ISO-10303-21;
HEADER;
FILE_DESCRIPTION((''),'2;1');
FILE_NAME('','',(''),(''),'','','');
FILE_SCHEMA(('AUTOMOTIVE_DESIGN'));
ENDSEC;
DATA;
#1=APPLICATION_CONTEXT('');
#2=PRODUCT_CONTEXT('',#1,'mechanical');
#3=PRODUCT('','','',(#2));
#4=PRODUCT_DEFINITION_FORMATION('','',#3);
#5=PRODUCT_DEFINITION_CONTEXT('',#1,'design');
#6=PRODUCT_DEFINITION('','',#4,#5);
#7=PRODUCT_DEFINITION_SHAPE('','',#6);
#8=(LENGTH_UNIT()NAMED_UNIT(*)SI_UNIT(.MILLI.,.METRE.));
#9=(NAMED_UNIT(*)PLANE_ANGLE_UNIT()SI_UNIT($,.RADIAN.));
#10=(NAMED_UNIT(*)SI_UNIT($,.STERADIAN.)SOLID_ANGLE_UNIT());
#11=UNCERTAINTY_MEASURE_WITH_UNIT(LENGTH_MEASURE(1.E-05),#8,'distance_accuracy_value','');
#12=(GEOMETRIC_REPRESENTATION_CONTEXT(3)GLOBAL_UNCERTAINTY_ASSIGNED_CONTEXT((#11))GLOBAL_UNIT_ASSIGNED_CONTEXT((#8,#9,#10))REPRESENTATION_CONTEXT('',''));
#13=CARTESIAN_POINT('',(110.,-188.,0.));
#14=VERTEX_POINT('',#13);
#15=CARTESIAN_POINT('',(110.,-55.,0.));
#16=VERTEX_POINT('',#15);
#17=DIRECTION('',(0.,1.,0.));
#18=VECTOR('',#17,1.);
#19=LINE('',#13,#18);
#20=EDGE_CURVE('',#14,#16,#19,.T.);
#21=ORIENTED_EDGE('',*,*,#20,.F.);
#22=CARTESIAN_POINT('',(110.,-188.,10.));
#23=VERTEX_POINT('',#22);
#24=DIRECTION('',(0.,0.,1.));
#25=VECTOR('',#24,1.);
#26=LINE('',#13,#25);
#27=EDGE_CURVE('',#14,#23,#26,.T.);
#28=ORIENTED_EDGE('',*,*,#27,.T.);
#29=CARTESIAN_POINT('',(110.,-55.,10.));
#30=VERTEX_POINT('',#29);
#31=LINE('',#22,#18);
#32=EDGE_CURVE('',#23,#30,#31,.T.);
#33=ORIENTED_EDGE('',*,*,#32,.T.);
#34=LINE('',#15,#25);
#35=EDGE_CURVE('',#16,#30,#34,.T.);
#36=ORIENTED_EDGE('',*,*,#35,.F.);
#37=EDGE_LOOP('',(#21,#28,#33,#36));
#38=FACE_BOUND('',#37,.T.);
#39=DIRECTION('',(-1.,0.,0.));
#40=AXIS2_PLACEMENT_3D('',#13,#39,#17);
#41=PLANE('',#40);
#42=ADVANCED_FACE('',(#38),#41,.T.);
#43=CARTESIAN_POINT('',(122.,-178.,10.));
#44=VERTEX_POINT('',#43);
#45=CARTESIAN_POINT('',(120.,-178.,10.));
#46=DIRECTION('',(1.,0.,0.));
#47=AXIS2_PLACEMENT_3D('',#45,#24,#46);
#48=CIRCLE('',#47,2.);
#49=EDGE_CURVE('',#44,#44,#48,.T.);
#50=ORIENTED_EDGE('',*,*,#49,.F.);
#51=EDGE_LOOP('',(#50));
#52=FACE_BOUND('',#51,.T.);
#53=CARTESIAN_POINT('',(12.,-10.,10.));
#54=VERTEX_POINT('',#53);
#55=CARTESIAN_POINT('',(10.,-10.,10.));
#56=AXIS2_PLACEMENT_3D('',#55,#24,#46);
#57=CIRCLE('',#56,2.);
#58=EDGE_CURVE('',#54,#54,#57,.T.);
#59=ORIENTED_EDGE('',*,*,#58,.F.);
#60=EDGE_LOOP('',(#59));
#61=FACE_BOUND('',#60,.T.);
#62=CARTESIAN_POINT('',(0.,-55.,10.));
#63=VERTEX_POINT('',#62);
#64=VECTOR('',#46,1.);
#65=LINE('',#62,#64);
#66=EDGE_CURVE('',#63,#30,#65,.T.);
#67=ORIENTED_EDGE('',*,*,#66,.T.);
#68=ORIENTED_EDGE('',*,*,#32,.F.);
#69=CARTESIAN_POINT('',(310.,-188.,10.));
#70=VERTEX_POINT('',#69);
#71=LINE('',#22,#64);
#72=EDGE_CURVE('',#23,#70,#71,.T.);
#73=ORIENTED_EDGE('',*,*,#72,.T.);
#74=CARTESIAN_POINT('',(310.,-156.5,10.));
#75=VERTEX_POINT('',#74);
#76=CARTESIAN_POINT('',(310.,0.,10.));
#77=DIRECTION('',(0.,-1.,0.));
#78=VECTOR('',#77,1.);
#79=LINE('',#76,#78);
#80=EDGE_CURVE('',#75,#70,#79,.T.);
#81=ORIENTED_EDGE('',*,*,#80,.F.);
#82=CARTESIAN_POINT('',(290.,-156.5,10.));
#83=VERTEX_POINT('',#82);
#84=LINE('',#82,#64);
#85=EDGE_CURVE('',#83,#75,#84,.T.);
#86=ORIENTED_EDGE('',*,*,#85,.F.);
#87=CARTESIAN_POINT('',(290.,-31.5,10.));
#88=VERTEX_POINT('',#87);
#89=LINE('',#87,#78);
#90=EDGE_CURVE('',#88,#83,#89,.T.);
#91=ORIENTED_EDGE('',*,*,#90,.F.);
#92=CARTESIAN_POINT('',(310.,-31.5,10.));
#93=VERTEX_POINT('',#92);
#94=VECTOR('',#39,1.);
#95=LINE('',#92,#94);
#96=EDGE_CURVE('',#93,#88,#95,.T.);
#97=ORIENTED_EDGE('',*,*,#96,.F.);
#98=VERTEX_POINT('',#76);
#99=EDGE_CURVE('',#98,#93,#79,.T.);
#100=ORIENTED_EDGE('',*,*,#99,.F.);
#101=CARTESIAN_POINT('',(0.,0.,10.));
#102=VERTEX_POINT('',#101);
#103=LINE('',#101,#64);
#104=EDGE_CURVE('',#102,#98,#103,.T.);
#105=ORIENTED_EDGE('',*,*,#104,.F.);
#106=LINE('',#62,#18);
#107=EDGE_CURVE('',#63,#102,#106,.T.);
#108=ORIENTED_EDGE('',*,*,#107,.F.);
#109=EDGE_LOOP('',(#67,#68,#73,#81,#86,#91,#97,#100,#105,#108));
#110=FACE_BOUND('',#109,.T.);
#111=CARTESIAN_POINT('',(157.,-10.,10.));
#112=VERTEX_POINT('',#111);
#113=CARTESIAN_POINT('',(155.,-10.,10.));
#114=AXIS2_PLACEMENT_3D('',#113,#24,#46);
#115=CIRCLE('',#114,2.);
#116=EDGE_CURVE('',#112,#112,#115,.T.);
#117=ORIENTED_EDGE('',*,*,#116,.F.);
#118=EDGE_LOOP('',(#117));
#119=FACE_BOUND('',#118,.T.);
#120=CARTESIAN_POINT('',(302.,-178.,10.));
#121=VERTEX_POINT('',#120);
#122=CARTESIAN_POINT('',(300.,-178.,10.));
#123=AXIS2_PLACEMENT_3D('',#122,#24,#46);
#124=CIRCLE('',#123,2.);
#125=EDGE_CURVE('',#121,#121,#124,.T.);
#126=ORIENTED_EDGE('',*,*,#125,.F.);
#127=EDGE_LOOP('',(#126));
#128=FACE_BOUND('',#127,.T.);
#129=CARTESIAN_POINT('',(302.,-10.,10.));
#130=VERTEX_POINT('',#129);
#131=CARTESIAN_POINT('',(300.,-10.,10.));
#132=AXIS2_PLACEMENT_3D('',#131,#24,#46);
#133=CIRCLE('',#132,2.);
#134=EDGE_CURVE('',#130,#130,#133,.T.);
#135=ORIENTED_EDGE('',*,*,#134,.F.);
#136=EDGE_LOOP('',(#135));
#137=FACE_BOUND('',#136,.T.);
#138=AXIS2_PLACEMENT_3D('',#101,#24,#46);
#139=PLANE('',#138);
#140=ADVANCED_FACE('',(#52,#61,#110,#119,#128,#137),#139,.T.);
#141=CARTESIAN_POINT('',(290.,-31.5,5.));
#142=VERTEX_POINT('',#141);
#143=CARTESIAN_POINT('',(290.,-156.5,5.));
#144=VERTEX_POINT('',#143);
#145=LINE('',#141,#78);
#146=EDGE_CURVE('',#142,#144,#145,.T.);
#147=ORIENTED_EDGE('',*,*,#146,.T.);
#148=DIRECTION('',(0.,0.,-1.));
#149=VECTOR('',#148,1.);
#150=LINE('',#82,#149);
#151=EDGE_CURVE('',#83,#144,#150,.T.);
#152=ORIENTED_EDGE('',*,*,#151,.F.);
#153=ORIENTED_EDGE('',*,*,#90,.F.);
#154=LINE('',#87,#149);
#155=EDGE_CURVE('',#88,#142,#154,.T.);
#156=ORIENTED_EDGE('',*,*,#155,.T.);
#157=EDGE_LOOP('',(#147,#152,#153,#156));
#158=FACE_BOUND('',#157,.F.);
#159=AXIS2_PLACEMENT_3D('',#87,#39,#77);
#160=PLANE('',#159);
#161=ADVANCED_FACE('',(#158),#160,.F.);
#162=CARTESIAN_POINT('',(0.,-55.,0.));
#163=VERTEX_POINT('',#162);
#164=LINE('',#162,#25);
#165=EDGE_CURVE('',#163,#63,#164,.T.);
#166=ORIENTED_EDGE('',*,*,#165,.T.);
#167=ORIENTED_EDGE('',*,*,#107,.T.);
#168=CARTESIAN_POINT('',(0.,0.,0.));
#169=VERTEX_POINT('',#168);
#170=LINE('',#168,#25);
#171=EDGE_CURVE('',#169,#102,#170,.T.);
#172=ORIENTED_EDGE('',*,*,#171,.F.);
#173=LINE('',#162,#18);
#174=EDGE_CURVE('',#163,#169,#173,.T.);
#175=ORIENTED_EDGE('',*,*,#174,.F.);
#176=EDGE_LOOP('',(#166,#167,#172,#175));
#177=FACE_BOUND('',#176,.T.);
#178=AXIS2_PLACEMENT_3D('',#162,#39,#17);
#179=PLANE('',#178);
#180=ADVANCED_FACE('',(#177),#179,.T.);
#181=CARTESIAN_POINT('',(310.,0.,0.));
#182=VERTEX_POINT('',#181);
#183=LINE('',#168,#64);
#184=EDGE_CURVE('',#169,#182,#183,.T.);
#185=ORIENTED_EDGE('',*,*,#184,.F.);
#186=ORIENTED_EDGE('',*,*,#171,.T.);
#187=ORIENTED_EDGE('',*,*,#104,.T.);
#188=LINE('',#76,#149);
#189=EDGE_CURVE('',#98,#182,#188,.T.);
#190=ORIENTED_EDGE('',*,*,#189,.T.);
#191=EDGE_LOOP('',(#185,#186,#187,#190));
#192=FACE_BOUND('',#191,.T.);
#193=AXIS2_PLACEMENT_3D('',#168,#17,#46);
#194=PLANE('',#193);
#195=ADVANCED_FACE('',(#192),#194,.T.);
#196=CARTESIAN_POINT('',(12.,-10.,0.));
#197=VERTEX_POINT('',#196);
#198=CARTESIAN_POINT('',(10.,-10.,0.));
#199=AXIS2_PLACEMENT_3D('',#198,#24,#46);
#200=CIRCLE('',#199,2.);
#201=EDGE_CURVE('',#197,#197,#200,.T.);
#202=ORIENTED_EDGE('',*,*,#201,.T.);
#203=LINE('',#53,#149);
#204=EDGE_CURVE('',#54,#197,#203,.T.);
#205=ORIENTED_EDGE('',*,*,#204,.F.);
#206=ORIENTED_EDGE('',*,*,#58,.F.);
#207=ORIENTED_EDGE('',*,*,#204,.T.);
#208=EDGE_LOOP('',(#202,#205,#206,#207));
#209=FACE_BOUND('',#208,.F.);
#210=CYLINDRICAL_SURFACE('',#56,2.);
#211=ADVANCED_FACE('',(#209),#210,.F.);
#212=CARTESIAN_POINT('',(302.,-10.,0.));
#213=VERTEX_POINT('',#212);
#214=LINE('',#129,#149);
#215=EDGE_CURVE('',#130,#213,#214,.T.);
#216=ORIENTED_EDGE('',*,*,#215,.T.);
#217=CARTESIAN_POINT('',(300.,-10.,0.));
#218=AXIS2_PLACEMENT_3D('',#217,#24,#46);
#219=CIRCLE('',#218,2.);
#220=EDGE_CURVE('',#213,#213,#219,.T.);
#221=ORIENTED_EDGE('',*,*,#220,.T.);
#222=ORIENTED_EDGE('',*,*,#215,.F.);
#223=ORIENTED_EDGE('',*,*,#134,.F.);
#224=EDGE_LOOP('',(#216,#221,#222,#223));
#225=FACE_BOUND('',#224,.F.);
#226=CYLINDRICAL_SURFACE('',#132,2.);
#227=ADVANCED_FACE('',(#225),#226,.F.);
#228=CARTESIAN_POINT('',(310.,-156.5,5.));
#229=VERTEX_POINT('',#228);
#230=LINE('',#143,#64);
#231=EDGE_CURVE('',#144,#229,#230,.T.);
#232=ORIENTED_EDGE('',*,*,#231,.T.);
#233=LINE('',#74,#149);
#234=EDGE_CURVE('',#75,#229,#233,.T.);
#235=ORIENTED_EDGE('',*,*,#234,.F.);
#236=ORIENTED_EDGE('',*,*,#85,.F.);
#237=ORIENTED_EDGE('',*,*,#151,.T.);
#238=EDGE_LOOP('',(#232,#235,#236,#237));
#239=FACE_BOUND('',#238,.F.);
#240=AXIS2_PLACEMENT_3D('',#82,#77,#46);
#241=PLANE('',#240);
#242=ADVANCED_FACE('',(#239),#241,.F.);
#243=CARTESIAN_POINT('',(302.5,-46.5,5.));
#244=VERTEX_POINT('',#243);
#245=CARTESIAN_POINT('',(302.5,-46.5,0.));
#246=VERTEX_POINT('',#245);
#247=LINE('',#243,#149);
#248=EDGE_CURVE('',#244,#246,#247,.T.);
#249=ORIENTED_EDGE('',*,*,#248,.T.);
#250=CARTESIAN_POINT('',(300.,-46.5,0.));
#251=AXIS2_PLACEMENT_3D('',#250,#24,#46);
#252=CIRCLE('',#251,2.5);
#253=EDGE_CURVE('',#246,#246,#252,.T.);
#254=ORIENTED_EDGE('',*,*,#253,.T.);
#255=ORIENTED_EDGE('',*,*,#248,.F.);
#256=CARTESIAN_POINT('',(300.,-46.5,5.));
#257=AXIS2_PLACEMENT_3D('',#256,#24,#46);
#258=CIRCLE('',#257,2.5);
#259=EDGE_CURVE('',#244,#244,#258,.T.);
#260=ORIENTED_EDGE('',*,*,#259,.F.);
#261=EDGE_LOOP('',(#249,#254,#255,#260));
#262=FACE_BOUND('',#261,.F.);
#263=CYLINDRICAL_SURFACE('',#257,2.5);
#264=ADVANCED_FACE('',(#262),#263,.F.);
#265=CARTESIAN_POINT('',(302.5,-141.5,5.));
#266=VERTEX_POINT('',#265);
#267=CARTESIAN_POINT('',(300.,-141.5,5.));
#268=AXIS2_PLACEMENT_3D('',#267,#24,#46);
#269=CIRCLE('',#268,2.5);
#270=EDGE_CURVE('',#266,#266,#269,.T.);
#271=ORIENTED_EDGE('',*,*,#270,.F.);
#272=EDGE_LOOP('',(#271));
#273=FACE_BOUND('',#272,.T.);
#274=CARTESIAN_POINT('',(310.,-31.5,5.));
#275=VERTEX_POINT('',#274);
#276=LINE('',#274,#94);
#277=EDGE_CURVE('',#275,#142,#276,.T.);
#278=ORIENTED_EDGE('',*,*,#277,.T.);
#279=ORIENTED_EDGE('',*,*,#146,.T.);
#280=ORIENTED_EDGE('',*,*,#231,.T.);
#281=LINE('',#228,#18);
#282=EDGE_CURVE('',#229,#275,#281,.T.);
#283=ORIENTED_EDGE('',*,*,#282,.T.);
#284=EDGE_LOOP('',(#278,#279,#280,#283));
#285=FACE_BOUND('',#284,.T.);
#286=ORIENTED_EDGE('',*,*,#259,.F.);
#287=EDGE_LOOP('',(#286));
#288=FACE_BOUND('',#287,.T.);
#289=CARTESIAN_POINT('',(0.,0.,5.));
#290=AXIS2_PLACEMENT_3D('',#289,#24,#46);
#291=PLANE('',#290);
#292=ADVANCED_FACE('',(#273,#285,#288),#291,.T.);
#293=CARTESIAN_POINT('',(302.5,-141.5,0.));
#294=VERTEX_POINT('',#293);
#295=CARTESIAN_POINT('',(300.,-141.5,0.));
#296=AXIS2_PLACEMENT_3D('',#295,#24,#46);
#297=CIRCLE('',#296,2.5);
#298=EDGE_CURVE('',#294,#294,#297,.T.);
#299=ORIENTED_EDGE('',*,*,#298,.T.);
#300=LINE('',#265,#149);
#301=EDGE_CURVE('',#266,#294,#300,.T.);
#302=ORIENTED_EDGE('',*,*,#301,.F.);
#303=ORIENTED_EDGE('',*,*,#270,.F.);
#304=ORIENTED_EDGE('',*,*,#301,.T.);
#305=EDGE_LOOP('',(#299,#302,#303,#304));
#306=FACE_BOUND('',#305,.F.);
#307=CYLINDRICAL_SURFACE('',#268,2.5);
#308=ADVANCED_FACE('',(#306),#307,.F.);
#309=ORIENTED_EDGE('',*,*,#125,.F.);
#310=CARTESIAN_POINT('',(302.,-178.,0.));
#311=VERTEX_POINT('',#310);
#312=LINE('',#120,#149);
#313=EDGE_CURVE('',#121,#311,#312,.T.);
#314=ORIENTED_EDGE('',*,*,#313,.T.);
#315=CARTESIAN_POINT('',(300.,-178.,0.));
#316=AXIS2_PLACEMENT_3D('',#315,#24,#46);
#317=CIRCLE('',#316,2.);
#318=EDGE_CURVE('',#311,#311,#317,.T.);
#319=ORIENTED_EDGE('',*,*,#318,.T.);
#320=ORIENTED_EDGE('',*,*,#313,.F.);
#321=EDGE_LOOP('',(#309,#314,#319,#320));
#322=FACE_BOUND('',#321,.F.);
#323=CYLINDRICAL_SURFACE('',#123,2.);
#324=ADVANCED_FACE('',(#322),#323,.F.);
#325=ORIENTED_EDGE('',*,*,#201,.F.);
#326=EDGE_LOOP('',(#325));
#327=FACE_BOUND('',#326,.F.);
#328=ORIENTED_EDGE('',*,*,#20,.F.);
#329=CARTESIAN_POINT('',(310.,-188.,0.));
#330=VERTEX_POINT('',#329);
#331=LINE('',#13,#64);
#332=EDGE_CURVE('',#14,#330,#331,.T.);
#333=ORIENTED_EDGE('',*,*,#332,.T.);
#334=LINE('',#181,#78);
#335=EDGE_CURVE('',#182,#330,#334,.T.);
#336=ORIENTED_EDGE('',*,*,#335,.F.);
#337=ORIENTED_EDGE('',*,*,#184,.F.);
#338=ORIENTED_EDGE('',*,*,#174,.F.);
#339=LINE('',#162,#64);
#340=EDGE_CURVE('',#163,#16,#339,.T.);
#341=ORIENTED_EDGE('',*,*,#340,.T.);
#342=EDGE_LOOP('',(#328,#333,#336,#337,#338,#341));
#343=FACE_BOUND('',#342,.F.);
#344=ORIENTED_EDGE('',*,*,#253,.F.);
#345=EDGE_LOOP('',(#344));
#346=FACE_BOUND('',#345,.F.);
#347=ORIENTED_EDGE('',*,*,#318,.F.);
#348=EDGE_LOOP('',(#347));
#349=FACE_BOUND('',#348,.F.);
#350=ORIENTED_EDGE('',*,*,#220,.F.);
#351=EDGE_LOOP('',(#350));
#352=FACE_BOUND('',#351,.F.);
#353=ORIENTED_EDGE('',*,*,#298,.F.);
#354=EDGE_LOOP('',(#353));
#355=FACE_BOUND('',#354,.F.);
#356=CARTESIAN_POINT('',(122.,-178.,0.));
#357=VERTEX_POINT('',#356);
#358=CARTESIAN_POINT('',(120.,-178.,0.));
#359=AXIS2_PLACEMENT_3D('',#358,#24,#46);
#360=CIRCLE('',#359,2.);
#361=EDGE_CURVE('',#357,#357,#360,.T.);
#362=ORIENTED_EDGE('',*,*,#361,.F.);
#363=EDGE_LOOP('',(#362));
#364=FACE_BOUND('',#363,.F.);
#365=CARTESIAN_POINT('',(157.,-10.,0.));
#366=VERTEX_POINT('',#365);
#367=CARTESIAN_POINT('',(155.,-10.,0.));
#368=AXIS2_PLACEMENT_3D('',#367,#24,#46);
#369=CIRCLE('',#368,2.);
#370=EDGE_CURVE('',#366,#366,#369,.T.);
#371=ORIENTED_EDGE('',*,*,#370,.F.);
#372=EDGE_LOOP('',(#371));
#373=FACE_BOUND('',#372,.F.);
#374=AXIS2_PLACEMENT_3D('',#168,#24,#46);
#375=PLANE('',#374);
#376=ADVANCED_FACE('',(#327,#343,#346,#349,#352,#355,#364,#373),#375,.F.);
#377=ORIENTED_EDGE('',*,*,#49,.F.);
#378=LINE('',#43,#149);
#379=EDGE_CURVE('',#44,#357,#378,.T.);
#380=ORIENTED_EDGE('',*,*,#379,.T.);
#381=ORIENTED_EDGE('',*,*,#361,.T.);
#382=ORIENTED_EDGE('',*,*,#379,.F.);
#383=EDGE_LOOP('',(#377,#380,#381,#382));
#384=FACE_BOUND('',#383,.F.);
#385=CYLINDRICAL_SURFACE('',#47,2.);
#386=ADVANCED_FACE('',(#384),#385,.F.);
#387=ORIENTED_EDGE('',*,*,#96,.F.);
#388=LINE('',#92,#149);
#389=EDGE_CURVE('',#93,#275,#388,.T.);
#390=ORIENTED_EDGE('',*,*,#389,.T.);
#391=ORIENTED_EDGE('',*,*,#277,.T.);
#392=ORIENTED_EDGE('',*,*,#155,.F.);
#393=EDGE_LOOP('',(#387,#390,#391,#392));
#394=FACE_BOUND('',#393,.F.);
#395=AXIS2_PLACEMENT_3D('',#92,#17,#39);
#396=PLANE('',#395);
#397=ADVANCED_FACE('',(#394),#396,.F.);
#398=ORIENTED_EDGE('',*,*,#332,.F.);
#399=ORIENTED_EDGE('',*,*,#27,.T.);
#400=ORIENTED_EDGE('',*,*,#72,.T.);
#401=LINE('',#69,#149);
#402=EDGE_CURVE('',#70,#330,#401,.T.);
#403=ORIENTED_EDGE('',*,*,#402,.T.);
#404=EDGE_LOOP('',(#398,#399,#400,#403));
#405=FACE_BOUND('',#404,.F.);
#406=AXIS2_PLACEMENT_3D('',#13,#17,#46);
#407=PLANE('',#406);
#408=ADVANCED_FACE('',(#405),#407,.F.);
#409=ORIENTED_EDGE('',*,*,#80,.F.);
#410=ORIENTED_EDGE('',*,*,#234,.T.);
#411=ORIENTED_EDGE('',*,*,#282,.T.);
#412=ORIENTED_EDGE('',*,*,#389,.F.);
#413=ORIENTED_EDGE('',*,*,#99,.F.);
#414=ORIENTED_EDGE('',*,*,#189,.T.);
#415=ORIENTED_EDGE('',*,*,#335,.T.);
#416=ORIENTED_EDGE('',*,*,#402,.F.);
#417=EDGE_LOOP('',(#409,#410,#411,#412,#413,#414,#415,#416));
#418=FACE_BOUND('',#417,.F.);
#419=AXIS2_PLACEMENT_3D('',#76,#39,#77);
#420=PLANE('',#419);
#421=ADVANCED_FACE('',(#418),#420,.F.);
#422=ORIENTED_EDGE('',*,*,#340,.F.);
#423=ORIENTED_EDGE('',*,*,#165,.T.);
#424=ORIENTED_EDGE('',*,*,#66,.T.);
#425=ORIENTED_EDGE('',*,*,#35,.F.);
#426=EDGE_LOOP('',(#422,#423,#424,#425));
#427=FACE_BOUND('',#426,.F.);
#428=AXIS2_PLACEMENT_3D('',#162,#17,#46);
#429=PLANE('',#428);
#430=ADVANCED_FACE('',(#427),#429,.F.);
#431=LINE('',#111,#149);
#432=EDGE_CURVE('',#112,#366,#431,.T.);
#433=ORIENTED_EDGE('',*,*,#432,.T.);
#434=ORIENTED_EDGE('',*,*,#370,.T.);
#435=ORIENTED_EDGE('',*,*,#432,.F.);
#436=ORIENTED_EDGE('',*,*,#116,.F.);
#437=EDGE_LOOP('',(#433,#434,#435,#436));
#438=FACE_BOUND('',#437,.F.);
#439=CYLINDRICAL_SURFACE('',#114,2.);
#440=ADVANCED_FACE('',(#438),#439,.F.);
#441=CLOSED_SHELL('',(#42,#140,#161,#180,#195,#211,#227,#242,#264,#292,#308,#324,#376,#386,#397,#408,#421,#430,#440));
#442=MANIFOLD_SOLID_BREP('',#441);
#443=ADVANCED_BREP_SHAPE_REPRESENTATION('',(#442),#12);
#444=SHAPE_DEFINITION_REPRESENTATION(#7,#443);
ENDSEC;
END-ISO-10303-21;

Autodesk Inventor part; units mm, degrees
ref_plane "YZ Plane" through (0, 0, 0) normal (1, 0, 0) x (0, 1, 0)
ref_plane "XZ Plane" through (0, 0, 0) normal (0, 1, 0) x (-1, 0, 0)
ref_plane "XY Plane" through (0, 0, 0) normal (0, 0, 1) x (1, 0, 0)
sketch "Sketch1" plane through (0, 0, 0) normal (0, 0, 1) x (1, 0, 0)
  line L0 (0, 0) -> (620, 0)
  line L1 (110, -188) -> (510, -188)
  line L2 (510, -188) -> (510, -55)
  line L3 (510, -55) -> (620, -55)
  line L4 (620, -55) -> (620, 0)
  line L5 (110, -188) -> (110, -55)
  line L6 (0, -55) -> (0, 0)
  line L7 (0, -55) -> (110, -55)
  point P0 (310, -188)
  point P1 (310, 0)
  dimension "d0" = 620
  dimension "d1" = 188
  dimension "d2" = 400
  dimension "d3" = 133
extrude "Extrusion1" add sketch "Sketch1" along normal blind 10
sketch "Sketch2" plane through (0, 0, 10) normal (0, 0, 1) x (1, 0, 0)
  line L0 (620, 0) -> (0, 0) projected
  line L1 (510, -188) -> (110, -188) projected
  line L2 (620, 0) -> (310, 0)
  line L3 (310, 0) -> (310, -188)
  line L4 (310, -188) -> (620, -188)
  line L5 (620, -188) -> (620, 0)
extrude "Extrusion2" cut sketch "Sketch2" against normal through all
sketch "Sketch3" plane through (0, 0, 10) normal (0, 0, 1) x (1, 0, 0)
  circle A0 centre (10, -10) radius 2
  line L0 (310, 0) -> (0, 0) projected
  line L1 (0, 0) -> (0, -55) projected
  circle A1 centre (155, -10) radius 2
  circle A2 centre (300, -10) radius 2
  line L2 (310, -188) -> (310, 0) projected
  line L3 (10, -10) -> (300, -10) construction
  circle A3 centre (120, -178) radius 2
  line L4 (110, -55) -> (110, -188) projected
  line L5 (110, -188) -> (310, -188) projected
  circle A4 centre (300, -178) radius 2
  dimension "d8" = 4
  dimension "d9" = 10
  dimension "d10" = 10
  dimension "d11" = 4
  dimension "d12" = 4
  dimension "d13" = 10
  dimension "d14" = 4
  dimension "d15" = 10
  dimension "d16" = 10
  dimension "d17" = 4
  dimension "d18" = 10
  dimension "d19" = 10
extrude "Extrusion3" cut sketch "Sketch3" against normal through all
sketch "Sketch6" plane through (0, 0, 10) normal (0, 0, 1) x (1, 0, 0)
  line L0 (310, -31.5) -> (290, -31.5)
  line L1 (290, -31.5) -> (290, -156.5)
  line L2 (290, -156.5) -> (310, -156.5)
  line L3 (310, -156.5) -> (310, -31.5)
  line L4 (310, -188) -> (310, 0) projected
  point P0 (0, 0)
  point P1 (310, -94)
  dimension "d42" = 20
  dimension "d43" = 125
extrude "Extrusion6" cut sketch "Sketch6" against normal blind 5
sketch "Sketch7" plane through (0, 0, 5) normal (0, 0, 1) x (1, 0, 0)
  line L0 (300, -46.5) -> (300, -141.5) construction
  circle A0 centre (300, -46.5) radius 2.5
  circle A1 centre (300, -141.5) radius 2.5
  line L1 (310, -31.5) -> (310, -156.5) projected
  point P0 (0, 0)
  point P1 (300, -94)
  point P2 (310, -94)
  dimension "d46" = 5
  dimension "d47" = 5
  dimension "d48" = 10
  dimension "d49" = 95
extrude "Extrusion7" cut sketch "Sketch7" against normal through all
properties part number "SP001b" material "ABS Plastic"
